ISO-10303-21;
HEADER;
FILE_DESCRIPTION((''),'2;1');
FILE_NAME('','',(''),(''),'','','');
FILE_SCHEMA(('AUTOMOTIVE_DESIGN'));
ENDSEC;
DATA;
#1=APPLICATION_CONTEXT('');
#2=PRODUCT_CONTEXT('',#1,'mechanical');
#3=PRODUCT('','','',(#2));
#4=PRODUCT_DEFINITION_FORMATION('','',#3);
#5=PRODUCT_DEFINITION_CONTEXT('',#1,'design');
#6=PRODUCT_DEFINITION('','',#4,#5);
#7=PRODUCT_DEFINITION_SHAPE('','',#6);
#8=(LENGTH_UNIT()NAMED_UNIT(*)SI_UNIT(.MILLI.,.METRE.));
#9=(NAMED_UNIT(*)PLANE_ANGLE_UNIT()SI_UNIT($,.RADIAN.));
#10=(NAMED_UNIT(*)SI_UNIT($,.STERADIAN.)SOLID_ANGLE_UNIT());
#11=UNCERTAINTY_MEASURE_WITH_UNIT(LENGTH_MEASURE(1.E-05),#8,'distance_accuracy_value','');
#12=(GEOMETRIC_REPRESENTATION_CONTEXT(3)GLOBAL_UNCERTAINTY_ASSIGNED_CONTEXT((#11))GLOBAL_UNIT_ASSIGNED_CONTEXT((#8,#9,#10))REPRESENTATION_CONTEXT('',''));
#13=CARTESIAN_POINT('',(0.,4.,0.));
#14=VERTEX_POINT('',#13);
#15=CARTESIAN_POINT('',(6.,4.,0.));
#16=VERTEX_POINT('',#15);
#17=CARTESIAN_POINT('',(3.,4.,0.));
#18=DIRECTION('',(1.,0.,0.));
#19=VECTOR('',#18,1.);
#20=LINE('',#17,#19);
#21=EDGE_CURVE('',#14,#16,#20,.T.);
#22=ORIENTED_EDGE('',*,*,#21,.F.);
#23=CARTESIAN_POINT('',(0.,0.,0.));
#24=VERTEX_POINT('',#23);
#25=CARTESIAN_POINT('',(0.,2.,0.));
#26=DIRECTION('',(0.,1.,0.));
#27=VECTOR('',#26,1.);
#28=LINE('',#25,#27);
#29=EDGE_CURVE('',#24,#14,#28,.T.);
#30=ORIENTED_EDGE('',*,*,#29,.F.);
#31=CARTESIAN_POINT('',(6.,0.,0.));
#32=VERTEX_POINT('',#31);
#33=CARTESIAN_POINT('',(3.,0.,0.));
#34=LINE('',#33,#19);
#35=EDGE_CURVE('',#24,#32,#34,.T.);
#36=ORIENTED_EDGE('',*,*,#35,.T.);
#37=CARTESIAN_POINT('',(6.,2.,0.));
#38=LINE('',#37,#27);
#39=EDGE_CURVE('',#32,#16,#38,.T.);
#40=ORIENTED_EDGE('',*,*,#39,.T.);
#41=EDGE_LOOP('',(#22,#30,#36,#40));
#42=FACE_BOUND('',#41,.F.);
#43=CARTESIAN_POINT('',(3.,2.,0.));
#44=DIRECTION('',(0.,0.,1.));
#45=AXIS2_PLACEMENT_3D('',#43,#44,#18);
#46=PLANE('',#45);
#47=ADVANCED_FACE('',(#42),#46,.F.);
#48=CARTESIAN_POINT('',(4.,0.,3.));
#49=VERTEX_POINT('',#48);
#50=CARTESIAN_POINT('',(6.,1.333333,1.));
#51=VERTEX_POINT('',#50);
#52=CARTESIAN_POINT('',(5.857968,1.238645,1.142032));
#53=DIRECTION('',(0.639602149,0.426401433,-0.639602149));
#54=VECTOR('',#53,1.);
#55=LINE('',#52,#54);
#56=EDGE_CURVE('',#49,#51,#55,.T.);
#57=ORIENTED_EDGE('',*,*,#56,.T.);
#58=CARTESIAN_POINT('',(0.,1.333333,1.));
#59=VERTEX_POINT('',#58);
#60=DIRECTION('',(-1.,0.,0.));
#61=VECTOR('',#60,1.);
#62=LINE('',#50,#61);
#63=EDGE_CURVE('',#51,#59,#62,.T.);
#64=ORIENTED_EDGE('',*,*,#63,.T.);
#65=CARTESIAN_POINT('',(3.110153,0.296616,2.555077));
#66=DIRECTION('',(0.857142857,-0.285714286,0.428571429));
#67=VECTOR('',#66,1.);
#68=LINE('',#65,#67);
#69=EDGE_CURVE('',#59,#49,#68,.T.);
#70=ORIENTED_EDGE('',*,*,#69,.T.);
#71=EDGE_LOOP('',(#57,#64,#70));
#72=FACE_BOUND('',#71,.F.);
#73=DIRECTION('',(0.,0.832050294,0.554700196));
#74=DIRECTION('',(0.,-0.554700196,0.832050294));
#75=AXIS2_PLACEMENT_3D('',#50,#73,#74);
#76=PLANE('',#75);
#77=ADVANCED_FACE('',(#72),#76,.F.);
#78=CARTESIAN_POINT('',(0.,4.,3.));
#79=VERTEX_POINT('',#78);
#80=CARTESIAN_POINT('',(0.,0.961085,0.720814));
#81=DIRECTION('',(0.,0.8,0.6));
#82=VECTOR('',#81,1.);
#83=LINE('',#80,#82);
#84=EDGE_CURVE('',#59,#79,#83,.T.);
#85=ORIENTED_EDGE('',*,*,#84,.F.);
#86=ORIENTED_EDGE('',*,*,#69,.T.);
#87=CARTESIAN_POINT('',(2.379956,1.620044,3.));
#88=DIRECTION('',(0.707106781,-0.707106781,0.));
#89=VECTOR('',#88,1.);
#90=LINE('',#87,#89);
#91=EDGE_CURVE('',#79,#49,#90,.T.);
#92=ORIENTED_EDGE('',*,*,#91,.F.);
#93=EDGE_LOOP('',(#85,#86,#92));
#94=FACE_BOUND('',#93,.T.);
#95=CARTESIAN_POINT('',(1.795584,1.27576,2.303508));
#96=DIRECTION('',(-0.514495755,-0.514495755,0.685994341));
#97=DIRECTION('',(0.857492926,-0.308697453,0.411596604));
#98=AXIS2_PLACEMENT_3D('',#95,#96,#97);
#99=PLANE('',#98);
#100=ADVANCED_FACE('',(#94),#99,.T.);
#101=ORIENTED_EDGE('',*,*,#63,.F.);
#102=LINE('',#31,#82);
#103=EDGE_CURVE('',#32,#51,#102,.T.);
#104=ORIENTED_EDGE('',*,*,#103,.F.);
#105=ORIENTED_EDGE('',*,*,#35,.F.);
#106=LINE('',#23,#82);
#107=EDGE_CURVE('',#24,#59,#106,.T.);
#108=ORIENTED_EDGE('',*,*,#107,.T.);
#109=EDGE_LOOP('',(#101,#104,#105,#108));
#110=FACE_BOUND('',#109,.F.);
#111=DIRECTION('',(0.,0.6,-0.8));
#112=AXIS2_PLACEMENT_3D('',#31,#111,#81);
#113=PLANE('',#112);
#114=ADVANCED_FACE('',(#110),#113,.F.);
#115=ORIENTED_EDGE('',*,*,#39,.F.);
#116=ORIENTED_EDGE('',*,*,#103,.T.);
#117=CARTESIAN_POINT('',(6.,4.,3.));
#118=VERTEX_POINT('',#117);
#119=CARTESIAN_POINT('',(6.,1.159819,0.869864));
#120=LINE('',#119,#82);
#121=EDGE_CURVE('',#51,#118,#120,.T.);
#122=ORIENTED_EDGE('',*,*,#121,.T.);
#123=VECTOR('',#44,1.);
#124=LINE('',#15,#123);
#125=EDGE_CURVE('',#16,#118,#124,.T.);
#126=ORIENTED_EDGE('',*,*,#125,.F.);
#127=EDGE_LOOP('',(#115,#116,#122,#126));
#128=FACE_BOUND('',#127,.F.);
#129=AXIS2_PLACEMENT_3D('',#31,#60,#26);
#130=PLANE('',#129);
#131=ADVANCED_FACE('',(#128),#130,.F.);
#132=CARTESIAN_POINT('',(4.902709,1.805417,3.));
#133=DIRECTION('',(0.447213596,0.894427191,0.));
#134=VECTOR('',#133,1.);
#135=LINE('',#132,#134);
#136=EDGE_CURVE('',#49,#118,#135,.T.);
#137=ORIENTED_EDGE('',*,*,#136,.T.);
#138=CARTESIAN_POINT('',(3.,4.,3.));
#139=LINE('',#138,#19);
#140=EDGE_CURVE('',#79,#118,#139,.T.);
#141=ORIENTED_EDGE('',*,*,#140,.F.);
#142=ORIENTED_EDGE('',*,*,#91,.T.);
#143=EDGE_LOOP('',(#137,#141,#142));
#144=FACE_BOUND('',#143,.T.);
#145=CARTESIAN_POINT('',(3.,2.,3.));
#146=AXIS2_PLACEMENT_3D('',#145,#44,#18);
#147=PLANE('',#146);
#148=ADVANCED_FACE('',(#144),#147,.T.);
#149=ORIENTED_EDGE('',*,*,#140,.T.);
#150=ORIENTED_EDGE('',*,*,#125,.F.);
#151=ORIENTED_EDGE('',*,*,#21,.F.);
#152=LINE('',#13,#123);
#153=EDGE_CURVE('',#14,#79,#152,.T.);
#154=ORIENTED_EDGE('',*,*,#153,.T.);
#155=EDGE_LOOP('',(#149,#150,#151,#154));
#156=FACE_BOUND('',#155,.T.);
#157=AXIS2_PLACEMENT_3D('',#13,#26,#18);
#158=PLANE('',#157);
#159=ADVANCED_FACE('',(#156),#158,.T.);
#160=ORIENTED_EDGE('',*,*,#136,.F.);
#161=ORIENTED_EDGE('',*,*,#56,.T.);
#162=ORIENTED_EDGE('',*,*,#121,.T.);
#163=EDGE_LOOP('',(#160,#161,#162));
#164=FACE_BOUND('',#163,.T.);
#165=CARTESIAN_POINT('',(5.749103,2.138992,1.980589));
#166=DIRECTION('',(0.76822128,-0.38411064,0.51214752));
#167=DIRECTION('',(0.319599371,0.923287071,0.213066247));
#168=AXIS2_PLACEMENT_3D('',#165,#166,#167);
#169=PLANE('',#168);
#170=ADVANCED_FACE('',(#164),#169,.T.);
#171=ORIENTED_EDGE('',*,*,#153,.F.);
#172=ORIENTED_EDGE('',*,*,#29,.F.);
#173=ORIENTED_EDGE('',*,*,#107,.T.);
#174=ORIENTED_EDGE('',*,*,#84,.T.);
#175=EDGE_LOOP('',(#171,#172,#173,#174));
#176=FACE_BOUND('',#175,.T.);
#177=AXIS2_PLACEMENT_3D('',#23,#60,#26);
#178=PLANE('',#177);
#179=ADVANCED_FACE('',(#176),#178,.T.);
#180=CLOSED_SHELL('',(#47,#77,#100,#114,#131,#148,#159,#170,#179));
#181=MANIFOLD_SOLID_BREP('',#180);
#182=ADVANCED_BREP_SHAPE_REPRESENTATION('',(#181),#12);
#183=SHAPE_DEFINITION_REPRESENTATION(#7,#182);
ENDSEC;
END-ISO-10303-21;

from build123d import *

# Parameters (mm, degrees)
F0_W      = 6
F0_H      = 4
F1_DEPTH  = 3
F3_DEPTH  = 6
F7_DEPTH  = 25
F10_DEPTH = 25


with BuildPart() as f1:
    # F0 (on Top) → F1 (new body)
    with BuildSketch(Plane.XY):
        with Locations((3, 2)):
            Rectangle(F0_W, F0_H)
    extrude(amount=F1_DEPTH)

    # F2 (on face) → F3 (cut)
    with BuildSketch(Plane.YZ.offset(6)):
        Polygon((0, 3), (0, 0), (1.3333333333, 1), align=None)
    extrude(amount=-F3_DEPTH, mode=Mode.SUBTRACT)

    # F6 (on 3pt) → F7 (cut)
    with BuildSketch(Plane(origin=(0, 0, 0), x_dir=(0.8574929257, -0.3086974533, 0.4115966043), z_dir=(-0.5144957554, -0.5144957554, 0.6859943406))):
        Polygon((9.8441252485, 6.5278601833), (-4.6357093379, 5.8104698546), (-5.503593944, -1.5349624446), (8.062466979, -1.5349624446), align=None)
    extrude(amount=F7_DEPTH, mode=Mode.SUBTRACT)

    # F9 (on 3pt) → F10 (cut)
    with BuildSketch(Plane(origin=(3.5409836066, -1.7704918033, 2.3606557377), x_dir=(0.3195993709, 0.9232870715, 0.2130662473), z_dir=(0.7682212796, -0.3841106398, 0.5121475197))):
        Polygon((12.3663526028, -1.9071685383), (-0.4412117123, 3.9235553704), (-3.5908352584, -2.3459291551), (9.8697831854, -6.3195335679), align=None)
    extrude(amount=F10_DEPTH, mode=Mode.SUBTRACT)


solid = f1.part
